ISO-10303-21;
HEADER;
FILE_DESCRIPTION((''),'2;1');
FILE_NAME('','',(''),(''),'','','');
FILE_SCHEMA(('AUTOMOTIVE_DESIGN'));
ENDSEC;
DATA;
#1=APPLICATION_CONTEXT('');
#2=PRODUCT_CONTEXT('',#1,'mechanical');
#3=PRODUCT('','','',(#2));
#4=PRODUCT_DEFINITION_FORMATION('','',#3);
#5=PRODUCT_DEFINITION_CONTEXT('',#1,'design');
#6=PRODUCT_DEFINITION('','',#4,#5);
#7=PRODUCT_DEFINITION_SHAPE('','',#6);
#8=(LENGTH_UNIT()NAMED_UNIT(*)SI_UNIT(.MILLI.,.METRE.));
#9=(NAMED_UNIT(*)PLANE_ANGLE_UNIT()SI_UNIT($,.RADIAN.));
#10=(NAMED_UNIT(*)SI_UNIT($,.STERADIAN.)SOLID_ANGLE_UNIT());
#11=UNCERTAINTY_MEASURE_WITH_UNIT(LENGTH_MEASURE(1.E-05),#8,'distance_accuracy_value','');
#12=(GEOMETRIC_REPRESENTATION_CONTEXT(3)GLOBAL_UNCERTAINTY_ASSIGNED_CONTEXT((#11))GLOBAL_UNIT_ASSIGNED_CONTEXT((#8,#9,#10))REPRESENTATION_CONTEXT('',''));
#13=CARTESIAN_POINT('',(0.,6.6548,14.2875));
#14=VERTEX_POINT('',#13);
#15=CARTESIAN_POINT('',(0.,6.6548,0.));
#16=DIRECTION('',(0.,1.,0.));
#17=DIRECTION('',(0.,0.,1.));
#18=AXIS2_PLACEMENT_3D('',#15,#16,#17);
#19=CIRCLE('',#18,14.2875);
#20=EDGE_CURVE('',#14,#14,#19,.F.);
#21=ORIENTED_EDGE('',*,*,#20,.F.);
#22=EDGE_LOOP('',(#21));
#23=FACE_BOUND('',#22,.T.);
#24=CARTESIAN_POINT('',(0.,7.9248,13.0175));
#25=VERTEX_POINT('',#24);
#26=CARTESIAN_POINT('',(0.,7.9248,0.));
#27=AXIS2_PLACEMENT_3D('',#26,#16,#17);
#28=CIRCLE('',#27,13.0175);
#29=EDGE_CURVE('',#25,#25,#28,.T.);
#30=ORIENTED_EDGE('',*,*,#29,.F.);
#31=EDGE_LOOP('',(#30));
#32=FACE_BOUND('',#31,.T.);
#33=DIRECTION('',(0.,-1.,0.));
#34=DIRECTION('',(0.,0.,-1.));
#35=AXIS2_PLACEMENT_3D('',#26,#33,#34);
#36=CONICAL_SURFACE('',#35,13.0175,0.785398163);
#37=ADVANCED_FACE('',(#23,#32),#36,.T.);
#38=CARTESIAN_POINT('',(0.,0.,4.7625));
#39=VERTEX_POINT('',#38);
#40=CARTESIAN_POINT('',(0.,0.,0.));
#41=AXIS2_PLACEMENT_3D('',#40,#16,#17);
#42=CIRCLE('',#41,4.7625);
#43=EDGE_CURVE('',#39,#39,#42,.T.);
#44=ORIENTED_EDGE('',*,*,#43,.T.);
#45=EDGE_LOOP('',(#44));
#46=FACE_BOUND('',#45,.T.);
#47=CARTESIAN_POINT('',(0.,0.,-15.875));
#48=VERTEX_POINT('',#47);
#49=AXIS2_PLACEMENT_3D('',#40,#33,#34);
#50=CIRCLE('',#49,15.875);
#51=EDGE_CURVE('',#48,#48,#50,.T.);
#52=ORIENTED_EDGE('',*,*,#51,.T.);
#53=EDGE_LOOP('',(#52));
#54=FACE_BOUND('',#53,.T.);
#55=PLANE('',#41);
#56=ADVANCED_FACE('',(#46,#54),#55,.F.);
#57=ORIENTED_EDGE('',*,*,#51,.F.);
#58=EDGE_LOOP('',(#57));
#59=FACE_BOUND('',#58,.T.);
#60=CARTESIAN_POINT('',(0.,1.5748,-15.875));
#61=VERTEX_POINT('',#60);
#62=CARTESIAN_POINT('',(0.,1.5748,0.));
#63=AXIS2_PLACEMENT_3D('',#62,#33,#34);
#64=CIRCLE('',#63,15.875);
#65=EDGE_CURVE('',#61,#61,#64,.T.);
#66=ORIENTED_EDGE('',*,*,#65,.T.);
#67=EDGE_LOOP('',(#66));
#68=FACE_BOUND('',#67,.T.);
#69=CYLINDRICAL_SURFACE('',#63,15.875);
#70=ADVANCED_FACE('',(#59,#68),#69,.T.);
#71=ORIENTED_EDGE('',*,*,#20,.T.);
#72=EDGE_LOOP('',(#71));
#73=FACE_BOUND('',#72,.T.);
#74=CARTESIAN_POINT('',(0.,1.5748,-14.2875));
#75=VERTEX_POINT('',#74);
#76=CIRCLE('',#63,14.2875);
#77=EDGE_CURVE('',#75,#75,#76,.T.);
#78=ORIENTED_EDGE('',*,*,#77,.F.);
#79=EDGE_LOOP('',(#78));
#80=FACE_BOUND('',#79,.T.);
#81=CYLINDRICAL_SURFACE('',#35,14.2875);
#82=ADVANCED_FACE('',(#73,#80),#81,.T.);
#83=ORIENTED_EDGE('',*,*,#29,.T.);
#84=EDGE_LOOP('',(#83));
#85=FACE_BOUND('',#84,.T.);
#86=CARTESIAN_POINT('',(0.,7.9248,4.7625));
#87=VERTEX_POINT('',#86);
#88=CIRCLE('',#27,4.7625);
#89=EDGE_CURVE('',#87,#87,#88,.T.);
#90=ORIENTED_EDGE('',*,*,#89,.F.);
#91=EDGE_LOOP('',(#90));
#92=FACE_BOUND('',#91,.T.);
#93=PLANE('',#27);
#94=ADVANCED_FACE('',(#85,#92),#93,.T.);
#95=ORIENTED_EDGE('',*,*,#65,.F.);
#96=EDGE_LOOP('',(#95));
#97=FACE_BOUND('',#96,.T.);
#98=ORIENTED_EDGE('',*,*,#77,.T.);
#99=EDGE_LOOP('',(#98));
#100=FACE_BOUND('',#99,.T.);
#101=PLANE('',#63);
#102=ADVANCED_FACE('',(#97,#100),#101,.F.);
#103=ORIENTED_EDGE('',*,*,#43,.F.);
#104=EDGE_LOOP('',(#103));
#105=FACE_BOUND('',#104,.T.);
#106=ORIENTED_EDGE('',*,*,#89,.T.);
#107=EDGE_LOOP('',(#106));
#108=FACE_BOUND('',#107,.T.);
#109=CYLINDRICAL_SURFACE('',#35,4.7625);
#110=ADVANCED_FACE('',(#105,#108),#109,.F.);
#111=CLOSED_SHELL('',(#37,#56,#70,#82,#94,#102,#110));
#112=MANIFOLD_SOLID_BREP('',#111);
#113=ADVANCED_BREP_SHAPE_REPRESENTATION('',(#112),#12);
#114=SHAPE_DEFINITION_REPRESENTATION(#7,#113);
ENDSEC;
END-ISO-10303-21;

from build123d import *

# Parameters (mm, degrees)
SKETCH1_R           = 14.2875
SKETCH1_R_2         = 4.7625
BOSS_EXTRUDE1_DEPTH = 7.9248
SKETCH2_R           = 15.875
SKETCH2_R_2         = 14.2875
BOSS_EXTRUDE2_DEPTH = 1.5748
CHAMFER1_SIZE       = 1.27


with BuildPart() as part:
    # Sketch1 → Boss-Extrude1 (new body)
    with BuildSketch(Plane(origin=(0, 0, 0), x_dir=(1, 0, 0), z_dir=(0, 1, 0))):
        Circle(SKETCH1_R)
        Circle(SKETCH1_R_2, mode=Mode.SUBTRACT)
    extrude(amount=BOSS_EXTRUDE1_DEPTH)

    # Sketch2 → Boss-Extrude2 (add)
    with BuildSketch(Plane.XZ):
        Circle(SKETCH2_R)
        Circle(SKETCH2_R_2, mode=Mode.SUBTRACT)
    extrude(amount=-BOSS_EXTRUDE2_DEPTH)

    # Chamfer1
    chamfer1_edges = [part.edges().sort_by_distance(p)[0] for p in [
        (-14.2875, 7.9248, 0),
    ]]
    chamfer(chamfer1_edges, length=CHAMFER1_SIZE)


solid = part.part
